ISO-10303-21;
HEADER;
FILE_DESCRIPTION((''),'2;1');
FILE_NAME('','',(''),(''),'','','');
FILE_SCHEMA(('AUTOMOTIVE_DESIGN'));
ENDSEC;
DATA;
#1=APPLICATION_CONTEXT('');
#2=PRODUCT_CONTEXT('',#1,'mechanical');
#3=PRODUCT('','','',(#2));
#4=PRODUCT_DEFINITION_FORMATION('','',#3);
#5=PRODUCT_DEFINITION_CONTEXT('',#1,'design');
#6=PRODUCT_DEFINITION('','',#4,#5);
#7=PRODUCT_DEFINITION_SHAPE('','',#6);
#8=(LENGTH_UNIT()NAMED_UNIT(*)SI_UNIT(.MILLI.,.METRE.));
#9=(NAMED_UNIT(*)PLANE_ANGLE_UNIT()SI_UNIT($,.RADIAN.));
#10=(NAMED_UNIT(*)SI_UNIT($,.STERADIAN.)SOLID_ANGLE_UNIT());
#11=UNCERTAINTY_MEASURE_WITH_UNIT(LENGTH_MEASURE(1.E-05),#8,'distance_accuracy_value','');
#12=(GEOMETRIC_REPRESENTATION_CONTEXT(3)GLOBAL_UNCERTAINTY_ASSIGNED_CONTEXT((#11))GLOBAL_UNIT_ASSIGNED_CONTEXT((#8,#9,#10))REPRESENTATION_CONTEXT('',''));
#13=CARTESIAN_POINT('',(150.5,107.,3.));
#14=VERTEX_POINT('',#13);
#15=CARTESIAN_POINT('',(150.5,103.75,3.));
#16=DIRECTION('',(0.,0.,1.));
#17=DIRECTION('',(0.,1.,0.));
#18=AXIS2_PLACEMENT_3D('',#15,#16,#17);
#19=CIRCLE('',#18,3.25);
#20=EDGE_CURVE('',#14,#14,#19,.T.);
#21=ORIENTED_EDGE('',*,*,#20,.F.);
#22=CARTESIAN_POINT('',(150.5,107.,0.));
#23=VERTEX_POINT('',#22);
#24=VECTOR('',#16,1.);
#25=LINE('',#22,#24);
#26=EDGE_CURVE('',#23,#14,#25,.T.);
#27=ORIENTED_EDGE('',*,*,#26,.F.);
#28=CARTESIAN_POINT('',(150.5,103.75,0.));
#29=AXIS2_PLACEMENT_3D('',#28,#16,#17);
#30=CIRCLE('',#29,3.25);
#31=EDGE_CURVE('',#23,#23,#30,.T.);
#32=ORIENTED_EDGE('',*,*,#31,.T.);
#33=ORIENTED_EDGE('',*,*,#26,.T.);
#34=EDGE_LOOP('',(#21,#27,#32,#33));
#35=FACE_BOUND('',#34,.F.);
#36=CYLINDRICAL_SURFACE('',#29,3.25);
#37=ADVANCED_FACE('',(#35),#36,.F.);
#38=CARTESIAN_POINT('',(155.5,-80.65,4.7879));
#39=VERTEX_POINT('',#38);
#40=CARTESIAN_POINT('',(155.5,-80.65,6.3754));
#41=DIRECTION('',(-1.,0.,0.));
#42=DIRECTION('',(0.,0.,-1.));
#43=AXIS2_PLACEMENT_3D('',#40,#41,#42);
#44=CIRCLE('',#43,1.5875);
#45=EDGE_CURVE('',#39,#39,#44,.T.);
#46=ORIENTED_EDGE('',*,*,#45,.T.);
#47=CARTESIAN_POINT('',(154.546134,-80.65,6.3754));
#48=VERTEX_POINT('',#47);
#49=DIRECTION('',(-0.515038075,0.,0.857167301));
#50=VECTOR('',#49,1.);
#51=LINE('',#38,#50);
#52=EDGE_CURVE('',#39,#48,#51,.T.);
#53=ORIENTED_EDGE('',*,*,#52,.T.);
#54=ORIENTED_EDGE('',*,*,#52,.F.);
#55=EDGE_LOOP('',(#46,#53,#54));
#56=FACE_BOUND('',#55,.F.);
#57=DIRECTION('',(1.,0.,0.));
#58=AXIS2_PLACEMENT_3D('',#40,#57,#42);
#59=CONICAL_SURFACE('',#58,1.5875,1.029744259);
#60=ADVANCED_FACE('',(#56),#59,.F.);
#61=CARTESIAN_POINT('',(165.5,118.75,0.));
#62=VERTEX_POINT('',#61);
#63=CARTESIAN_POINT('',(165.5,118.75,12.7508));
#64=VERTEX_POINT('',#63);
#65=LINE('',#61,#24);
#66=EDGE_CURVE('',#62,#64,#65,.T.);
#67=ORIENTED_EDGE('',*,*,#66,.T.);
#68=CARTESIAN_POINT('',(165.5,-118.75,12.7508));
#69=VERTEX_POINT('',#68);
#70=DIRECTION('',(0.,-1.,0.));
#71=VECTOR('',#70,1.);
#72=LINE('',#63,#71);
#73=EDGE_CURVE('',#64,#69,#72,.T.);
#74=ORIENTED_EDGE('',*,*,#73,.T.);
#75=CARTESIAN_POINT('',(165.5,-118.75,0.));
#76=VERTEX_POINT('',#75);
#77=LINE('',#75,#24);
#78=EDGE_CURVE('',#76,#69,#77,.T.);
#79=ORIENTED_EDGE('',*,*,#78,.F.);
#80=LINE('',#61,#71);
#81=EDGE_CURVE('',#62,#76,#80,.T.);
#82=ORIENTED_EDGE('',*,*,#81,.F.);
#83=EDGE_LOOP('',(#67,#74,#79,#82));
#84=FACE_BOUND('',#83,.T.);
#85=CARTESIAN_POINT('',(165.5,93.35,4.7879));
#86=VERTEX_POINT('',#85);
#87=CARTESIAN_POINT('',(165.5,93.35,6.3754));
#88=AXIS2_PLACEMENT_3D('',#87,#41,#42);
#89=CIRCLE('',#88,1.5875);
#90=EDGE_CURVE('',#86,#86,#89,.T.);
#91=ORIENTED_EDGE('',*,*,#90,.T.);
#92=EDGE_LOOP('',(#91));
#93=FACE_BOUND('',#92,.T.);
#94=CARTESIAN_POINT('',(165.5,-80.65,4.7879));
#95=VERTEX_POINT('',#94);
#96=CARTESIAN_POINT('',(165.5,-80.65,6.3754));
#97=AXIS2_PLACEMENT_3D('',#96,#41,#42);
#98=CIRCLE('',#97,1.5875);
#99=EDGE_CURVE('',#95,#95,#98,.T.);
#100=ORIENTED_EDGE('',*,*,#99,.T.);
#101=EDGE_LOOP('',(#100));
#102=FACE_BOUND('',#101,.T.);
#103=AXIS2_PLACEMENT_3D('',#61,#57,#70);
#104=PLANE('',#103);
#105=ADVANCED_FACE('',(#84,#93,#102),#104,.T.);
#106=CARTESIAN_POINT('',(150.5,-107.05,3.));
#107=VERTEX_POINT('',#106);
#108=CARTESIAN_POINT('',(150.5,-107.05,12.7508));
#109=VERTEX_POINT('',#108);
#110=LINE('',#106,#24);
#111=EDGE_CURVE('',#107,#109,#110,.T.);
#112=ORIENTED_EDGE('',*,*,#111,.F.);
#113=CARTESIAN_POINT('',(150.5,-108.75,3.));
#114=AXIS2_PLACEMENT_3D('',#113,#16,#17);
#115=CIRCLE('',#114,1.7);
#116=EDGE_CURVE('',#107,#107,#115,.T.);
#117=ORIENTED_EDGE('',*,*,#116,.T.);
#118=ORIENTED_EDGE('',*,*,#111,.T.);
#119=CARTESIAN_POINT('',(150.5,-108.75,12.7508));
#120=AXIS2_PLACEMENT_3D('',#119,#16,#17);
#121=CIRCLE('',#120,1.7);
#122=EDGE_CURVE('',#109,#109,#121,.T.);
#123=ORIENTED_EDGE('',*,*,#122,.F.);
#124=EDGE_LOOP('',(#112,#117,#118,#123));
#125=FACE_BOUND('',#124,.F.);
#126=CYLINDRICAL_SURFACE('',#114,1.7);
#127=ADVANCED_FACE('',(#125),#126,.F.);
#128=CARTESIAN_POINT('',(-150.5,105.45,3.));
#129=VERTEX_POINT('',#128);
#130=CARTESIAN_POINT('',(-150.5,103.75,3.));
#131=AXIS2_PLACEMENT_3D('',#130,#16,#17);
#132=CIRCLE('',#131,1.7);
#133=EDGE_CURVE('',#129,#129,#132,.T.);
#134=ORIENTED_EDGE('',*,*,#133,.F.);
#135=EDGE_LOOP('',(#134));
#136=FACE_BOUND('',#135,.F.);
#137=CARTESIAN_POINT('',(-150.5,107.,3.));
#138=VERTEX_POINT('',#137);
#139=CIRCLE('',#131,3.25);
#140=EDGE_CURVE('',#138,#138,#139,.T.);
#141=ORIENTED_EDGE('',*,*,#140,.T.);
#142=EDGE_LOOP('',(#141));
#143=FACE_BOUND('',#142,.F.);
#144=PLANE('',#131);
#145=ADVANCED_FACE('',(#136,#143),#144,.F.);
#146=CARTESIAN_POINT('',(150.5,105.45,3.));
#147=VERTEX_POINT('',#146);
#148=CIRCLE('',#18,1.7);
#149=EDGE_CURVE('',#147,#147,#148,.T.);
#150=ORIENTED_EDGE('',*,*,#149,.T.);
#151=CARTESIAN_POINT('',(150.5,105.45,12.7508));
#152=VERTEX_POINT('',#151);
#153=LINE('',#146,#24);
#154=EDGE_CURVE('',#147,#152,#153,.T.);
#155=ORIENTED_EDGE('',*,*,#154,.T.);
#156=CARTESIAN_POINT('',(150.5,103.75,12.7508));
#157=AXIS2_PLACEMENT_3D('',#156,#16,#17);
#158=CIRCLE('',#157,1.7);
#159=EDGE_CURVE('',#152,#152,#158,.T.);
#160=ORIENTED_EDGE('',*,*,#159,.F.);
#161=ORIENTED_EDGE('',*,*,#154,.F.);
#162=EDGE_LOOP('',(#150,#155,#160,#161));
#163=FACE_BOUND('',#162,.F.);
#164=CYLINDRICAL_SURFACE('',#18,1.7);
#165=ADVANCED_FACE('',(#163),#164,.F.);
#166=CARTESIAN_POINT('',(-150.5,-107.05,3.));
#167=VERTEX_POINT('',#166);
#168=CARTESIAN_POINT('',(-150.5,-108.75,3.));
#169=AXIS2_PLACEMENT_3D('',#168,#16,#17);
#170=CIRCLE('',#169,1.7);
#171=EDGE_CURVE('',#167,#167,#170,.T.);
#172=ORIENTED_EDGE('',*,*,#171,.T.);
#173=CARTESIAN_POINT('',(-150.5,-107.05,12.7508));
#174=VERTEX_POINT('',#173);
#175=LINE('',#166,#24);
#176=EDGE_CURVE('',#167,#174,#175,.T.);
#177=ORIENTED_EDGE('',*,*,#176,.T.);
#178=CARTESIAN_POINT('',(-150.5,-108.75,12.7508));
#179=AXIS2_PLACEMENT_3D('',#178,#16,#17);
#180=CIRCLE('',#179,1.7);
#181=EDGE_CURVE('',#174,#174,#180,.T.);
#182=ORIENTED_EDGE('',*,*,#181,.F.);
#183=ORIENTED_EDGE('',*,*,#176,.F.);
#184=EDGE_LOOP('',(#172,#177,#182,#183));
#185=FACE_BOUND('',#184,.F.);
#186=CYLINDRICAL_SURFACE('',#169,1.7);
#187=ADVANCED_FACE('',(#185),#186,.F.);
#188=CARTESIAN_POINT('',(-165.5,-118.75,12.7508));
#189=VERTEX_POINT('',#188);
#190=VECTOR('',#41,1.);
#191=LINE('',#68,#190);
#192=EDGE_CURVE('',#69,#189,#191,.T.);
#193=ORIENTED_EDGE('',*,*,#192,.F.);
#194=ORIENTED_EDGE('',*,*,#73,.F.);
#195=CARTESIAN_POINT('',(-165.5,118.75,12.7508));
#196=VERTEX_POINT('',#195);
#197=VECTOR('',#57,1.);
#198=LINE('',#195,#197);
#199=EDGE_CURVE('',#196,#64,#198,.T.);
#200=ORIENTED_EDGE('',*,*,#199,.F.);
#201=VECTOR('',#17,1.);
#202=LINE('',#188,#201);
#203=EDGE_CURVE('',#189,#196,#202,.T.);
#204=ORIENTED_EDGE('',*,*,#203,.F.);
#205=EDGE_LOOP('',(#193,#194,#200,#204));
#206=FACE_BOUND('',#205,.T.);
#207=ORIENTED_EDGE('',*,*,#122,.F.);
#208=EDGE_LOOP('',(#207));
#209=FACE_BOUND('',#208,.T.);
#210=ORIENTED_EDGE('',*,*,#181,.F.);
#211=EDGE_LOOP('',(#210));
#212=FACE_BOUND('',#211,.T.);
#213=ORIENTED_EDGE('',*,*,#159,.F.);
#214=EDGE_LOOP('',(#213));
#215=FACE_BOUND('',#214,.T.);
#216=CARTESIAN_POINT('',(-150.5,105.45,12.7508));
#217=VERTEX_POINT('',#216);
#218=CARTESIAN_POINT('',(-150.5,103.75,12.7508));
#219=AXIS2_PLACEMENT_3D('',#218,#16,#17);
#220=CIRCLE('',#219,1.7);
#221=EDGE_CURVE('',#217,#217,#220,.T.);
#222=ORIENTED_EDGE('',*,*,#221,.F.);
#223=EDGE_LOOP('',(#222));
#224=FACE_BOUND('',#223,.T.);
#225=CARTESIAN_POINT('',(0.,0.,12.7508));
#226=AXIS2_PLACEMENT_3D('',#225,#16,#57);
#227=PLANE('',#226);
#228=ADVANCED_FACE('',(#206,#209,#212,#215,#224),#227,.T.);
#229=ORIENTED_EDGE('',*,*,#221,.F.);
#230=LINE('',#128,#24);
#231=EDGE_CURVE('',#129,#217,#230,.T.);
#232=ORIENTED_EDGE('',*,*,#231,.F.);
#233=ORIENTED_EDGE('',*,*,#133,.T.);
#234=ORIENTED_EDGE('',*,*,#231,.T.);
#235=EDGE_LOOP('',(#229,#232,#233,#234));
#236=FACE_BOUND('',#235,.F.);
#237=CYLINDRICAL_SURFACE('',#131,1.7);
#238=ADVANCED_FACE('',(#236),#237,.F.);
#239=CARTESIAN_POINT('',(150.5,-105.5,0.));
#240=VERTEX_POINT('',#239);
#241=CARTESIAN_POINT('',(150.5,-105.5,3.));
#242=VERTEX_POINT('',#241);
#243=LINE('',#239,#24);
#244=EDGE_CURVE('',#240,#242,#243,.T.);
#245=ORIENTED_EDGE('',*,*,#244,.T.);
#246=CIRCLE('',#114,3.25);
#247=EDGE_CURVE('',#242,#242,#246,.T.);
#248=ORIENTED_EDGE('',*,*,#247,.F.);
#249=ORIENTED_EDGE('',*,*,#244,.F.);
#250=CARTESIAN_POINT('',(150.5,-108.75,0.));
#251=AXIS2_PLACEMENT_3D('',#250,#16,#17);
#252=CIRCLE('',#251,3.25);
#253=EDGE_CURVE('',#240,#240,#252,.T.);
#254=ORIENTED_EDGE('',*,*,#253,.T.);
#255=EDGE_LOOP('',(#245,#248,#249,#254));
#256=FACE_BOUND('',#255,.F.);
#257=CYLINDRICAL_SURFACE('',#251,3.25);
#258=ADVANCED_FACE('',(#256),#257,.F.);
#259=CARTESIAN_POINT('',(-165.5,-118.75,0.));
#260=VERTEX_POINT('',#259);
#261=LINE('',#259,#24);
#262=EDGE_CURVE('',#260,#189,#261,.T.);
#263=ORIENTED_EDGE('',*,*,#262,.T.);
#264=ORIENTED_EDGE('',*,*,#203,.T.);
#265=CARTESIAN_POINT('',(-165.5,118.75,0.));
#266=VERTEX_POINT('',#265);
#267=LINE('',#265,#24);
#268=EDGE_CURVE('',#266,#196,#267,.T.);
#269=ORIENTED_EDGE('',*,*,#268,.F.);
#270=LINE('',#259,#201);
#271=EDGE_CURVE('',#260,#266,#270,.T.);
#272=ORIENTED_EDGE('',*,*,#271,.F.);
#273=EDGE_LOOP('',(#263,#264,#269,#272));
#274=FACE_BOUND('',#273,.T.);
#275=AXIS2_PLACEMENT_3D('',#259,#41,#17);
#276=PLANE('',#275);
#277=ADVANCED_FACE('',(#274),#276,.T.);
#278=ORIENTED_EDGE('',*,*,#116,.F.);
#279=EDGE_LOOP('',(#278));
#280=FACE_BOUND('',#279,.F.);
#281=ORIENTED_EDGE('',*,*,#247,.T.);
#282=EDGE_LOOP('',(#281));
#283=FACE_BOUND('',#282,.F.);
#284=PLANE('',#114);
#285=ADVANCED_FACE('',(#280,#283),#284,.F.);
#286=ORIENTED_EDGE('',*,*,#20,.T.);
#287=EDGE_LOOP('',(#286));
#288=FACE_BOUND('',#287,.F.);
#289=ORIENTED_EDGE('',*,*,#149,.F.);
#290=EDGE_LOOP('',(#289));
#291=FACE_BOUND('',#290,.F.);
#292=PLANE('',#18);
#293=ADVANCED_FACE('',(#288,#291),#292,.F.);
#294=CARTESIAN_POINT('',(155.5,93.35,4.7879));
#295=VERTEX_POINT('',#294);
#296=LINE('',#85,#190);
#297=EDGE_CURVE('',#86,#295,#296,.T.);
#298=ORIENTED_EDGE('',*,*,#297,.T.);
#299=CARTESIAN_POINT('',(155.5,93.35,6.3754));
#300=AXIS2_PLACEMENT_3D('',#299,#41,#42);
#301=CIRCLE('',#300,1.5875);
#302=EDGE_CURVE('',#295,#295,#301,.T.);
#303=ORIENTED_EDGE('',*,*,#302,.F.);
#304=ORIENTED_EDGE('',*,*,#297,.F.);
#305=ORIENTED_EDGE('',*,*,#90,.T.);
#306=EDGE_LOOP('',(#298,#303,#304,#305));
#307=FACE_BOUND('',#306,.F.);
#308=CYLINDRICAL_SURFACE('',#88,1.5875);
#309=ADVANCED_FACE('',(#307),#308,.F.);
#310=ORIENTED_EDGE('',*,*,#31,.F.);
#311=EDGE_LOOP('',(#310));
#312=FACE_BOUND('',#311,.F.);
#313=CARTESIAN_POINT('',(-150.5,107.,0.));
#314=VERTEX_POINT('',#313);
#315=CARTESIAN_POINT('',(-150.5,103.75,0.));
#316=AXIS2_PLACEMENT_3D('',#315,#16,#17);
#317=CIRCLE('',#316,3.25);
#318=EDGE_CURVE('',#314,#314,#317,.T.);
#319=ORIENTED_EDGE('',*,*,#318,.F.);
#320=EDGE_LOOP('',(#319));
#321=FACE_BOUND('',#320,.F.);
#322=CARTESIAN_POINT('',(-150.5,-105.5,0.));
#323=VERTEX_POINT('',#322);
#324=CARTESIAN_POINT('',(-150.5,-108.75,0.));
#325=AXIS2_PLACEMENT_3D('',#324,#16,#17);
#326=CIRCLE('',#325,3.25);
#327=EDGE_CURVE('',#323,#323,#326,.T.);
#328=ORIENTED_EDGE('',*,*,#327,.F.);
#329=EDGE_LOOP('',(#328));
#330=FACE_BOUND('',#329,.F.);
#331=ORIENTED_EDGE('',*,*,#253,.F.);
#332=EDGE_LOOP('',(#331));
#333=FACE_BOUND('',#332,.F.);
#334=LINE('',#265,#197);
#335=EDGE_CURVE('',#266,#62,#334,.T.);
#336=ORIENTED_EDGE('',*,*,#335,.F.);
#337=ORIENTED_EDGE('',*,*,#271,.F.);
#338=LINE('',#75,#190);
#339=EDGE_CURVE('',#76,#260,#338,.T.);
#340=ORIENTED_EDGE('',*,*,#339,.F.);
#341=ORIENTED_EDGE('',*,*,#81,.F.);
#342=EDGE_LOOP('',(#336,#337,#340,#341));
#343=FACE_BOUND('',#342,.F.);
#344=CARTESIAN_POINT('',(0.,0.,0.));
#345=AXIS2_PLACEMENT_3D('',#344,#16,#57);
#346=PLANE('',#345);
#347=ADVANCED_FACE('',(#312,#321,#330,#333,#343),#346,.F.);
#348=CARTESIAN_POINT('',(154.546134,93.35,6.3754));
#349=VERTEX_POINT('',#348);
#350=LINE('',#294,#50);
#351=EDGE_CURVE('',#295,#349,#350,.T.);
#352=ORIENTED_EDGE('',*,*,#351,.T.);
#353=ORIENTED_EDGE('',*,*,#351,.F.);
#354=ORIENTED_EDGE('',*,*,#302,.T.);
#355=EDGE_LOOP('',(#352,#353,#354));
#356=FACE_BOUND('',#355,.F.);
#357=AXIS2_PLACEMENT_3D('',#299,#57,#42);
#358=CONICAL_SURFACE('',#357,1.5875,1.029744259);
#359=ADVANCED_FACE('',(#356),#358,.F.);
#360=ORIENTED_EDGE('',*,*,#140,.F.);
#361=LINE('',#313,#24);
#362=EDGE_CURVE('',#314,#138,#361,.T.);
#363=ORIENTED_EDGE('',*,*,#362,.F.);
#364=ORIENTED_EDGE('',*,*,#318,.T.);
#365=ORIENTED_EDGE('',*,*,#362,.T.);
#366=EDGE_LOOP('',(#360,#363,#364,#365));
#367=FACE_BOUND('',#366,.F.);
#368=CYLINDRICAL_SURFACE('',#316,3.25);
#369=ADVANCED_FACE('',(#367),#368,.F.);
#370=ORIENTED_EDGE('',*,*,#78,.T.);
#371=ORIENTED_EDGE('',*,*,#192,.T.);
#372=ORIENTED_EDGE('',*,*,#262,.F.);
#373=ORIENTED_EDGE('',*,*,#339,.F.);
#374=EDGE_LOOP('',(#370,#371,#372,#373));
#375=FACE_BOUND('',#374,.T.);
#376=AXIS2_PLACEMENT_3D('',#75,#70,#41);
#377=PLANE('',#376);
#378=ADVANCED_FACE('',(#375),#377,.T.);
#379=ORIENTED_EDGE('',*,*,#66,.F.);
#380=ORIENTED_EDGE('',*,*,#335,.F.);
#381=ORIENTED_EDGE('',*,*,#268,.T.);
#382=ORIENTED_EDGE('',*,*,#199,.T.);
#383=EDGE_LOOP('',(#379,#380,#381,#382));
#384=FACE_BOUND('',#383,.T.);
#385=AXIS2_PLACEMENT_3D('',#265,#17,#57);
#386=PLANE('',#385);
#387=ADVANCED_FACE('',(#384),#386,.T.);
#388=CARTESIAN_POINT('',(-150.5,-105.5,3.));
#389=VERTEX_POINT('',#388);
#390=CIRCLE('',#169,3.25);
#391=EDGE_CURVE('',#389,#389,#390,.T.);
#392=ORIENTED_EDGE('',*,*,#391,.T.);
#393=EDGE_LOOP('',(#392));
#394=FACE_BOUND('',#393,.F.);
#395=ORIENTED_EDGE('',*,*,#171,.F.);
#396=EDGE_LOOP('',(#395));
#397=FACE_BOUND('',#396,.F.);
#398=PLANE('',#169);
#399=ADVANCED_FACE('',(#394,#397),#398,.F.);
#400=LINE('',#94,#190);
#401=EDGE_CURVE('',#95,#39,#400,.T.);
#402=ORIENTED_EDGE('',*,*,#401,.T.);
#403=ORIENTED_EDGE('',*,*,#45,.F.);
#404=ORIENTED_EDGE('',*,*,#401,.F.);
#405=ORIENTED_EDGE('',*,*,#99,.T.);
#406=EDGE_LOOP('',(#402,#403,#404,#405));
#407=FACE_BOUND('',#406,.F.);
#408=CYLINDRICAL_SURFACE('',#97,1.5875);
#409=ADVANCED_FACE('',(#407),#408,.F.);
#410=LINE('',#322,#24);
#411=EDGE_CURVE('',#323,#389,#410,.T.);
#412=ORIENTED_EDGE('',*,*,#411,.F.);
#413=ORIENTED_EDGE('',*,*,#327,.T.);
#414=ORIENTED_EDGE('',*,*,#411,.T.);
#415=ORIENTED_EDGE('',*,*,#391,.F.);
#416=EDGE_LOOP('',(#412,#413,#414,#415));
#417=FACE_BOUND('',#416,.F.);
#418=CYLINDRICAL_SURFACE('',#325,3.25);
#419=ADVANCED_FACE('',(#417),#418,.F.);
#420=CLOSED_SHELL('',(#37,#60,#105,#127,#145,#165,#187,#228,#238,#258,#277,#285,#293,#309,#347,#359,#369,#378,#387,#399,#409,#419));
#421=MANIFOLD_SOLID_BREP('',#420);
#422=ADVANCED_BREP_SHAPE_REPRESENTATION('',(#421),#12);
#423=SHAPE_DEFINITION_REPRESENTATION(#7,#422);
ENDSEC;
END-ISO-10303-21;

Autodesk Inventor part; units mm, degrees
ref_plane "YZ Plane" through (0, 0, 0) normal (1, 0, 0) x (0, 1, 0)
ref_plane "XZ Plane" through (0, 0, 0) normal (0, 1, 0) x (-1, 0, 0)
ref_plane "XY Plane" through (0, 0, 0) normal (0, 0, 1) x (1, 0, 0)
sketch "Sketch1" plane through (0, 0, 0) normal (0, 0, 1) x (1, 0, 0)
  line L0 (-165.5, 118.75) -> (165.5, 118.75)
  line L1 (165.5, 118.75) -> (165.5, -118.75)
  line L2 (165.5, -118.75) -> (-165.5, -118.75)
  line L3 (-165.5, -118.75) -> (-165.5, 118.75)
  point P0 (0, 0)
  point P1 (-165.5, 0)
  point P2 (0, 118.75)
  dimension "d0" = 331
  dimension "d2" = 237.5
extrude "Extrusion1" add sketch "Sketch1" along normal blind 12.7508
sketch "Sketch2" plane through (0, 0, 0) normal (0, 0, -1) x (-1, 0, 0)
  circle A0 centre (-150.5, 103.75) radius 1.55 projected
  line L0 (-145.8379, -108.9576) -> (-147.4259, -106.1413) projected
  circle A1 centre (150.5, -108.75) radius 1.55 projected
  circle A2 centre (150.5, 103.75) radius 1.55 projected
  line L1 (150.5, -108.75) -> (-150.5, -108.75)
  line L2 (-150.5, -108.75) -> (-150.5, 103.75)
  line L3 (-150.5, 103.75) -> (150.5, 103.75)
  line L4 (150.5, 103.75) -> (150.5, -108.75)
  circle A3 centre (-150.5, -108.75) radius 1.55
  point P0 (0, 0)
extrude "Extrusion2" cut sketch "Sketch2" against normal through all contours L3 L2 A0 | A0 L2 L3 | L3 L4 A2 | A2 L4 L3 | A3 L1 L2 | L2 L1 A3 | L4 L1 A1 | A1 L1 L4
sketch "Sketch3" plane through (0, 0, 0) normal (0, 0, -1) x (-1, 0, 0)
  circle A0 centre (150.5, -108.75) radius 1.55
  circle A1 centre (-150.5, 103.75) radius 1.55
  circle A2 centre (-150.5, -108.75) radius 1.55
  circle A3 centre (150.5, 103.75) radius 1.55
  circle A4 centre (-150.5, 103.75) radius 3.25
  circle A5 centre (-150.5, -108.75) radius 3.25
  circle A6 centre (150.5, -108.75) radius 3.25
  circle A7 centre (150.5, 103.75) radius 3.25
  circle A8 centre (-150.5, -108.75) radius 1.55 projected
  point P0 (0, 0)
  dimension "d7" = 6.5
hole "Hole1" at (150.5, 103.75, 0) at (150.5, -108.75, 0) at (-150.5, -108.75, 0) at (-150.5, 103.75, 0) direction (0, 0, 1) diameter 3.4 end through all counterbore diameter 6.5 counterbore depth 3 clearance for "Socket Head Cap Screw" size "M3" standard "Ansi Metric M Profile"
sketch "Sketch4" plane through (0, 0, 0) normal (0, 0, -1) x (-1, 0, 0)
  circle A0 centre (-2, -73.75) radius 1.621 projected
  circle A1 centre (48, 76.25) radius 1.621 projected
  circle A2 centre (-2, 76.25) radius 1.621 projected
  circle A3 centre (48, -73.75) radius 1.621 projected
  line L0 (-34.5, 108.75) -> (-34.5, -106.25) projected
  line L1 (-34.5, -106.25) -> (80.5, -106.25) projected
  line L2 (80.5, -106.25) -> (80.5, 108.75) projected
  line L3 (80.5, 108.75) -> (-34.5, 108.75) projected
  point P0 (0, 0)
hole "Hole2" [suppressed]
sketch "Sketch5" plane through (0, 0, 0) normal (0, 0, -1) x (-1, 0, 0)
  circle A0 centre (-143.139, 21.4425) radius 1.7 projected
  circle A1 centre (-52.461, 65.2575) radius 1.7 projected
  circle A2 centre (-143.139, 65.2575) radius 1.7 projected
  circle A3 centre (-52.461, 21.4425) radius 1.7 projected
  line L0 (-47, 17.95) -> (-148.6, 17.95) projected
  line L1 (-47, 68.75) -> (-47, 17.95) projected
  line L2 (-148.6, 68.75) -> (-47, 68.75) projected
  line L3 (-148.6, 17.95) -> (-148.6, 68.75) projected
  point P0 (0, 0)
hole "Hole3" [suppressed]
sketch "Sketch6" plane through (165.5, -118.75, 0) normal (1, 0, 0) x (0, 0, -1)
  line L0 (0, 237.5) -> (-12.7508, 237.5) projected
  line L1 (0, 0) -> (-12.7508, 0) projected
  line L2 (-6.3754, 237.5) -> (-6.3754, 0) construction
  point P0 (0, 118.75)
  point P1 (-6.3754, 212.1)
  point P2 (-6.3754, 38.1)
  dimension "d30" = 25.4
  dimension "d31" = 38.1
hole "Hole4" at (165.5, 93.35, 6.3754) at (165.5, -80.65, 6.3754) direction (-1, 0, 0) diameter 3.175 depth 10 tip angle 118
properties part number "bottom"
